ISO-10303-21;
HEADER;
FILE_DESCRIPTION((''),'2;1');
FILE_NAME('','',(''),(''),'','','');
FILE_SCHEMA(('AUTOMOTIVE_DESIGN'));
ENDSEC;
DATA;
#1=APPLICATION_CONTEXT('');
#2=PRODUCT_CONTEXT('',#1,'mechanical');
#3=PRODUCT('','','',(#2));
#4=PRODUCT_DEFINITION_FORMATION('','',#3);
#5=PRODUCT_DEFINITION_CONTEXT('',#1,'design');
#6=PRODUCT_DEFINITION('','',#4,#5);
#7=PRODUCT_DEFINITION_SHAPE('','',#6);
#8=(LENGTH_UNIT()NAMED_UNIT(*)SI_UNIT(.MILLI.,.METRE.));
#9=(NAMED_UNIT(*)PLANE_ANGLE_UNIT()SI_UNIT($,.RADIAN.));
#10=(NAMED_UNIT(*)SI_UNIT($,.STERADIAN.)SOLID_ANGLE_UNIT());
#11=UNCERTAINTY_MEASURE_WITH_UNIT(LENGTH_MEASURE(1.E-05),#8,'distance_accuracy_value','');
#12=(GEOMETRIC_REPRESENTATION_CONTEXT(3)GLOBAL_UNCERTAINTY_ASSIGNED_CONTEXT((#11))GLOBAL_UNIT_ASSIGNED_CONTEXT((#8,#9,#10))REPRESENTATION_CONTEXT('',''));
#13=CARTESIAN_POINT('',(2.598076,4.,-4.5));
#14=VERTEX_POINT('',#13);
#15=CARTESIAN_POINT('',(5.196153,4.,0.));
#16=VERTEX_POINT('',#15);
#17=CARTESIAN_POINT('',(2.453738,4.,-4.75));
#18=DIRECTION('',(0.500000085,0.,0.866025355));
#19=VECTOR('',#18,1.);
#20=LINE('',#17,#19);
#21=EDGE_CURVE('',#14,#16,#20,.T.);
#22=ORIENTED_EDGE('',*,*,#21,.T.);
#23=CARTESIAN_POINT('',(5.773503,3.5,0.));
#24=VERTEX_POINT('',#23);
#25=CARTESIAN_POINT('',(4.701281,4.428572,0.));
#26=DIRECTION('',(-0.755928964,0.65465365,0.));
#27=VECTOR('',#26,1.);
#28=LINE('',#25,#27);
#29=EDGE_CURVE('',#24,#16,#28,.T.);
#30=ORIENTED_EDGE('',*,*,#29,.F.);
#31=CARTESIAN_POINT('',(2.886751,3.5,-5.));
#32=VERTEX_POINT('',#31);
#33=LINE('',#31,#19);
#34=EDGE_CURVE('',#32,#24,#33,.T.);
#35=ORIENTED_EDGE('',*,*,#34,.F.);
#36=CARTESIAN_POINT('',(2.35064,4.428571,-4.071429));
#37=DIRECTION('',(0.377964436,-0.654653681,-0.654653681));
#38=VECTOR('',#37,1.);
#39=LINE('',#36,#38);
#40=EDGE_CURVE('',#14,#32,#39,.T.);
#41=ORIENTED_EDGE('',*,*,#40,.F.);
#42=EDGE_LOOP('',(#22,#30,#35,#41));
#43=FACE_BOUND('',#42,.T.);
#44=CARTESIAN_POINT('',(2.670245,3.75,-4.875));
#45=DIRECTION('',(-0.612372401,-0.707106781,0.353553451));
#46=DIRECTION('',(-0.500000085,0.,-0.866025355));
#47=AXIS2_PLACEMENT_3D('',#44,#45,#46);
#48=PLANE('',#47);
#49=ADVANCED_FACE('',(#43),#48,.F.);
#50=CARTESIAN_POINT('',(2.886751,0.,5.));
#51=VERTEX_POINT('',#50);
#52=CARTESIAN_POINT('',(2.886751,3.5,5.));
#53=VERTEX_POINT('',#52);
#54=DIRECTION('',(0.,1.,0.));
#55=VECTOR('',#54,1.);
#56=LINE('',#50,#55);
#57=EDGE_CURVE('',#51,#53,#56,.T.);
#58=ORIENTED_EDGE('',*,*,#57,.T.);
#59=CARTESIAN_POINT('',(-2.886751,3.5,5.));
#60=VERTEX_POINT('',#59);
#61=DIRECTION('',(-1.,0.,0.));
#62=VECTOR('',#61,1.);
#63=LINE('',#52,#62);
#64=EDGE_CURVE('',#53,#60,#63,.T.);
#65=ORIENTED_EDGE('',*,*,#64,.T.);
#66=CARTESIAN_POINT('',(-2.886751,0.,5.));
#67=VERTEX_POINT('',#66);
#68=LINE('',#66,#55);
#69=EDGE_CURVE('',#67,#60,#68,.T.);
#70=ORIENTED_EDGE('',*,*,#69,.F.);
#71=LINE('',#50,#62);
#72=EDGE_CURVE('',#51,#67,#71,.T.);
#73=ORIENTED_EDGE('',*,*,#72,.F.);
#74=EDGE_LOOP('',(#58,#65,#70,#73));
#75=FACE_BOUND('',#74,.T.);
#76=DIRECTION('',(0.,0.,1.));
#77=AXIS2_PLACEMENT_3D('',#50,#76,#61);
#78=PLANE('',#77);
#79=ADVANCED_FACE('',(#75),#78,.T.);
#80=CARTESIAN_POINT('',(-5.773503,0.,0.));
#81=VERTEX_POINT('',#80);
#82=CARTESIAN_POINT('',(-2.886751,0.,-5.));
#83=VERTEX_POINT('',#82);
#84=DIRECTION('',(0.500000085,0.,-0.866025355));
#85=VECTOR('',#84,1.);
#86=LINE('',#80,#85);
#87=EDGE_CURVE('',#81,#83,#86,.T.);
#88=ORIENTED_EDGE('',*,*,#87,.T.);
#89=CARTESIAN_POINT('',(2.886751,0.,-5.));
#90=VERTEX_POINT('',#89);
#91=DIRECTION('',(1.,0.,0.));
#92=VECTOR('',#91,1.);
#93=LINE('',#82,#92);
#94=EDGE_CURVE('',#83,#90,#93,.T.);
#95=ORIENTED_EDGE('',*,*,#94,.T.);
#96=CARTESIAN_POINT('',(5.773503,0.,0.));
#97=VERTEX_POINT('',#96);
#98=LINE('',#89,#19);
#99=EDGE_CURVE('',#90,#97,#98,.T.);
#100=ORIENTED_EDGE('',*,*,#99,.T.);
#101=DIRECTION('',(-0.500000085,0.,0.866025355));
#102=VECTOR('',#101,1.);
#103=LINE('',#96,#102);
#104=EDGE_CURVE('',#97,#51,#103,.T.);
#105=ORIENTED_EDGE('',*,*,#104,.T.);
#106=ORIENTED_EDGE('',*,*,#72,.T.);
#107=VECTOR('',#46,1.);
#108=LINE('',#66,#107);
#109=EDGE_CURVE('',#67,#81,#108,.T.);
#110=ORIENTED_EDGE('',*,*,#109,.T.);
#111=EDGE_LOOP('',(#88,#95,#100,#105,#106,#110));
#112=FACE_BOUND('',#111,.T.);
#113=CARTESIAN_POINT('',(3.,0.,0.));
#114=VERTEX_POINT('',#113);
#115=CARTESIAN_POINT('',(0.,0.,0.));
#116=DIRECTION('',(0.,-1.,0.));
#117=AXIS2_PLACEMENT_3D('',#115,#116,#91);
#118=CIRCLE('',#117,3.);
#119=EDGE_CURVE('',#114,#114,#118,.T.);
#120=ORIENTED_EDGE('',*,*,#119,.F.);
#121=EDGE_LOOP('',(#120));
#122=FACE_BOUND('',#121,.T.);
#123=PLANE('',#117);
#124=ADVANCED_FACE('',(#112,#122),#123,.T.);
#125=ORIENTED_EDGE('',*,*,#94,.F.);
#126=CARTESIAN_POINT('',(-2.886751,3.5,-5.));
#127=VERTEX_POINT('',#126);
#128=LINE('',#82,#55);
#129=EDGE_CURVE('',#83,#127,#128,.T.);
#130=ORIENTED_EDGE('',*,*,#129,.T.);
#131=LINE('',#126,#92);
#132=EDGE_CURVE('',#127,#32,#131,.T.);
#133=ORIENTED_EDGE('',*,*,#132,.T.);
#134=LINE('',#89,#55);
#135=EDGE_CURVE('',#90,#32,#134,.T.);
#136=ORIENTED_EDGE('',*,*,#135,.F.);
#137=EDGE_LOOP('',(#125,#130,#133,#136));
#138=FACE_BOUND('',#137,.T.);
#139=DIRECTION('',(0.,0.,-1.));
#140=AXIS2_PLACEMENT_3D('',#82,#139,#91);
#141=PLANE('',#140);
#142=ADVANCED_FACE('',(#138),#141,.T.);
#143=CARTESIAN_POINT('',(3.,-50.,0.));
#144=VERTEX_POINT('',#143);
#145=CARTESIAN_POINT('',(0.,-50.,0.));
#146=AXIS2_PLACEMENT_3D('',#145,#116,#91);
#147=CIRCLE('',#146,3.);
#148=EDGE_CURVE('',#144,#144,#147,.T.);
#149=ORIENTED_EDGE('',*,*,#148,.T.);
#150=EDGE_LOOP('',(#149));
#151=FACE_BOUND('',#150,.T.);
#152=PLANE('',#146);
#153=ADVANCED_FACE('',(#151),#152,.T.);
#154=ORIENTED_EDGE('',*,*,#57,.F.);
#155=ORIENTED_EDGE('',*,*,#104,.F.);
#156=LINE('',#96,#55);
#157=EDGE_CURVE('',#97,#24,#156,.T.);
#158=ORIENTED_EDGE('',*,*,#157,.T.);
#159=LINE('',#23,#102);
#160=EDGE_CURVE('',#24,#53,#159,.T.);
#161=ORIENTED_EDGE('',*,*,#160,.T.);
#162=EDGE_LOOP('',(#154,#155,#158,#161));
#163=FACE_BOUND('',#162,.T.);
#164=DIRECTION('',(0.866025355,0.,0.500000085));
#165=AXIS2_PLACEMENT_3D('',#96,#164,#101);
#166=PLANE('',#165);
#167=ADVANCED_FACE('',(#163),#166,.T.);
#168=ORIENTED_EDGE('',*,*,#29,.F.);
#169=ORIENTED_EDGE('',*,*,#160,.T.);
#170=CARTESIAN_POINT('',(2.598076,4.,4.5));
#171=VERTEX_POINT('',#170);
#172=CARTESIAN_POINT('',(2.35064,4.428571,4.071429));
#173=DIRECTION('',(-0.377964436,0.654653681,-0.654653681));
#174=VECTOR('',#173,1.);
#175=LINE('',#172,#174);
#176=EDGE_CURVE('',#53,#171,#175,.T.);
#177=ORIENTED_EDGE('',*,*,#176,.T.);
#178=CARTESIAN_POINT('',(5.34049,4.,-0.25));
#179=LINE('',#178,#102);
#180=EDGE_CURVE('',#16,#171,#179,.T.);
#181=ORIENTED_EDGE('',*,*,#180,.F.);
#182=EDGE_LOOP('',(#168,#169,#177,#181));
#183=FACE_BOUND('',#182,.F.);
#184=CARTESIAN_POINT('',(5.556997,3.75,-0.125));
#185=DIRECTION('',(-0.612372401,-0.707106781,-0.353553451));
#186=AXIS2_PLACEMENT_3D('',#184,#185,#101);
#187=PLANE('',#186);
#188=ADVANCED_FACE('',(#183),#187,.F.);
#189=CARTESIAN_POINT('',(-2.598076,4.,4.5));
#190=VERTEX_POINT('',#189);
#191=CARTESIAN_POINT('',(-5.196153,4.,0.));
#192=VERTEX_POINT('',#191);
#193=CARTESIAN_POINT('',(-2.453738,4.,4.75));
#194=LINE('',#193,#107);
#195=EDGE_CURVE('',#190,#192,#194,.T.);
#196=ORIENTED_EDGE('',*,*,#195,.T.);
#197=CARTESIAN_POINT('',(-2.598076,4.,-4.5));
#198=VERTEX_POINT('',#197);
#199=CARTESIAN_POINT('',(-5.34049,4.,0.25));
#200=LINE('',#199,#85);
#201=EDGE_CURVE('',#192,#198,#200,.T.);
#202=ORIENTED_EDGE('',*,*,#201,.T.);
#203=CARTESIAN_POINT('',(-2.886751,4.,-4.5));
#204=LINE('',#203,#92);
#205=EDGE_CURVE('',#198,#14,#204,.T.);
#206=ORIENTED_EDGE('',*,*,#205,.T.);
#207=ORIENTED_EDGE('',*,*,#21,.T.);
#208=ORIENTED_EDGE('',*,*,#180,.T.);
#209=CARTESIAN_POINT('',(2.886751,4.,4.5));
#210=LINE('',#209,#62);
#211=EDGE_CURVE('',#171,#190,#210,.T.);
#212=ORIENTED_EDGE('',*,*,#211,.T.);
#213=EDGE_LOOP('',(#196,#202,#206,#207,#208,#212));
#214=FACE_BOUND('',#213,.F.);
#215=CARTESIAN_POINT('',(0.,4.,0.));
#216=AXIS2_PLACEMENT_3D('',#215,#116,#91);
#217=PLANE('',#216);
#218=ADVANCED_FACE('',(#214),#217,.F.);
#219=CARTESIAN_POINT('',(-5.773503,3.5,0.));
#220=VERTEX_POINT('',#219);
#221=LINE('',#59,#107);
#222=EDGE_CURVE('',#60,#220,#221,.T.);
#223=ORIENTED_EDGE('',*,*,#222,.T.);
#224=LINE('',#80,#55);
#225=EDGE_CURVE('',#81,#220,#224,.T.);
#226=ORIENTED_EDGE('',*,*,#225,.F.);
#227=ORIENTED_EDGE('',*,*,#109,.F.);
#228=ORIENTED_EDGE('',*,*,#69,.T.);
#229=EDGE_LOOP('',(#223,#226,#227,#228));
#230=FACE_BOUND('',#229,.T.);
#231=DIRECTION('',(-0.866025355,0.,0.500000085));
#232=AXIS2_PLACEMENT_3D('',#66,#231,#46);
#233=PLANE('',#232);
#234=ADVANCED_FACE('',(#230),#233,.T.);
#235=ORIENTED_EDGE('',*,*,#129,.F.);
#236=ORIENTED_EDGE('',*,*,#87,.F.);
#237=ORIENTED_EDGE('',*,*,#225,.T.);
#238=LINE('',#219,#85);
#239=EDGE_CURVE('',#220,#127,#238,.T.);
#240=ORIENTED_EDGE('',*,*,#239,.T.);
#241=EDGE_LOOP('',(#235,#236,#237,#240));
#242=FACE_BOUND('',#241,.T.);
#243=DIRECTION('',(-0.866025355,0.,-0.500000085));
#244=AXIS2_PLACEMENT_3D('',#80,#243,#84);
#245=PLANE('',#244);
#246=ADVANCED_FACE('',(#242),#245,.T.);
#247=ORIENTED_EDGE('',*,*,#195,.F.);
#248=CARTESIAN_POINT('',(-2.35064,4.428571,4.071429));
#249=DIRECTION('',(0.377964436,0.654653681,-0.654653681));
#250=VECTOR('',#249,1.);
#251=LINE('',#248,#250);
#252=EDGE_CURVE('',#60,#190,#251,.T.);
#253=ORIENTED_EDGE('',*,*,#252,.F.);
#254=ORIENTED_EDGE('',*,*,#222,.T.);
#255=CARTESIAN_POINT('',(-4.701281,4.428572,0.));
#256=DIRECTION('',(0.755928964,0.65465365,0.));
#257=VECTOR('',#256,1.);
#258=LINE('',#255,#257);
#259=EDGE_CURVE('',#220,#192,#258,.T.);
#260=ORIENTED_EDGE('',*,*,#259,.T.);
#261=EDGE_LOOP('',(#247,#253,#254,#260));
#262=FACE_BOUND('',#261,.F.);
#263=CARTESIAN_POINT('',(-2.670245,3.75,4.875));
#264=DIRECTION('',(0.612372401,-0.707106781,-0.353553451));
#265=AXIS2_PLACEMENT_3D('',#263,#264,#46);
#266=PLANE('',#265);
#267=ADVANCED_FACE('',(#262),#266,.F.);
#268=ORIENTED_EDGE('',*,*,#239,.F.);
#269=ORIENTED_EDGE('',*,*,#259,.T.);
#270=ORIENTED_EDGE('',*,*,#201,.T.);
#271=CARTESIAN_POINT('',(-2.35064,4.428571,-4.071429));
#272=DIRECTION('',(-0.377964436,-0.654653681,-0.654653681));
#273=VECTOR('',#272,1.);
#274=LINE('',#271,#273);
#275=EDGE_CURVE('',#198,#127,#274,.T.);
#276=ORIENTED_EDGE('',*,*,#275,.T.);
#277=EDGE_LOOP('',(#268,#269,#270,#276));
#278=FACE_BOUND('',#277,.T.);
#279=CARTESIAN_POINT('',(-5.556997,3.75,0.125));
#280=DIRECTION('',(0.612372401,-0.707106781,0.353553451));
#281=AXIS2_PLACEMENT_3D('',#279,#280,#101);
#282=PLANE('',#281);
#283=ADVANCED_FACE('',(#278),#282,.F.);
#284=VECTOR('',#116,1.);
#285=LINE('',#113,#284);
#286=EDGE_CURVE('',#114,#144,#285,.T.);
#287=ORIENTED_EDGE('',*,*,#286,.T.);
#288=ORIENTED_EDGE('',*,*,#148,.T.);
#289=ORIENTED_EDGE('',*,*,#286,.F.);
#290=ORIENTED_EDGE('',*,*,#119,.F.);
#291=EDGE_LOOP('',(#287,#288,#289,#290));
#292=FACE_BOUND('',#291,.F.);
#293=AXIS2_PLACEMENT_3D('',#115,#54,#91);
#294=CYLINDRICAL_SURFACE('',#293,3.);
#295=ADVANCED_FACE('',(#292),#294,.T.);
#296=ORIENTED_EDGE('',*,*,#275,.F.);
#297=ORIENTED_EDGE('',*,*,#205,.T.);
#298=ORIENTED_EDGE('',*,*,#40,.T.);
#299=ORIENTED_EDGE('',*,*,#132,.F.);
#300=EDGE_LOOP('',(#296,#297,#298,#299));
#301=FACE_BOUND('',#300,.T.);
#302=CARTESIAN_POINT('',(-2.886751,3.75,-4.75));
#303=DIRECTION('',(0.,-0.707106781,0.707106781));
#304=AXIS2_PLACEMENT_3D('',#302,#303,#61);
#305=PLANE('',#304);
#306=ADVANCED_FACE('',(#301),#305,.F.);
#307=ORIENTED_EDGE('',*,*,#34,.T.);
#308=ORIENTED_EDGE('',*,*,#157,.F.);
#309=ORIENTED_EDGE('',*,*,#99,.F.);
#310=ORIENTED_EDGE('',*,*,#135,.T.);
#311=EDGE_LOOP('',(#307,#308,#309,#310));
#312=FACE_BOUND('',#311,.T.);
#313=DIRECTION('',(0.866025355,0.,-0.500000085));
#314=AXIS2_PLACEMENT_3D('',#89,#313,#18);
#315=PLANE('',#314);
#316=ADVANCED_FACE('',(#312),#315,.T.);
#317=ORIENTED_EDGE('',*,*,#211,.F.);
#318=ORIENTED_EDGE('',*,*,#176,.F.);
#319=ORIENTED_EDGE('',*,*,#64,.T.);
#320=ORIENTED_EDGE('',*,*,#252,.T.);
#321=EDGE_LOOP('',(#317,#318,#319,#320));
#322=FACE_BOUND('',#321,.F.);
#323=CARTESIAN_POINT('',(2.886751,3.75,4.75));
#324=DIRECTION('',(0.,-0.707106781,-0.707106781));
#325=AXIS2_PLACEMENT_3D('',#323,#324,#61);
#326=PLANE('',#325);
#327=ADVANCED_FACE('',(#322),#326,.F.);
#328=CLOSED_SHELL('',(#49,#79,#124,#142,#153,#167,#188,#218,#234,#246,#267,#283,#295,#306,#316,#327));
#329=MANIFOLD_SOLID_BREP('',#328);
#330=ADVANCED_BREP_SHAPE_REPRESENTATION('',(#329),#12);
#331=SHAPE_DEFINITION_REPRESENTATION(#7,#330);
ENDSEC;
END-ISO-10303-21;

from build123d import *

# Parameters (mm, degrees)
F1_DEPTH = 4
F2_R     = 3
F3_DEPTH = 50
F4_SIZE  = 0.5


with BuildPart() as f1:
    # F0 (on Front) → F1 (new body)
    with BuildSketch(Plane.XZ):
        Polygon((2.886751, 5), (-2.886751, 5), (-5.773503, 0), (-2.886751, -5), (2.886751, -5), (5.773503, 0), align=None)
    extrude(amount=-F1_DEPTH)

    # F2 (on face) → F3 (join)
    with BuildSketch(Plane.XZ):
        Circle(F2_R)
    extrude(amount=F3_DEPTH)

    # F4
    f4_edges = [f1.edges().sort_by_distance(p)[0] for p in [
        (4.330127, 4, 2.5),
        (0, 4, 5),
        (-4.330127, 4, 2.5),
        (-4.330127, 4, -2.5),
        (0, 4, -5),
        (4.330127, 4, -2.5),
    ]]
    chamfer(f4_edges, length=F4_SIZE)


solid = f1.part
